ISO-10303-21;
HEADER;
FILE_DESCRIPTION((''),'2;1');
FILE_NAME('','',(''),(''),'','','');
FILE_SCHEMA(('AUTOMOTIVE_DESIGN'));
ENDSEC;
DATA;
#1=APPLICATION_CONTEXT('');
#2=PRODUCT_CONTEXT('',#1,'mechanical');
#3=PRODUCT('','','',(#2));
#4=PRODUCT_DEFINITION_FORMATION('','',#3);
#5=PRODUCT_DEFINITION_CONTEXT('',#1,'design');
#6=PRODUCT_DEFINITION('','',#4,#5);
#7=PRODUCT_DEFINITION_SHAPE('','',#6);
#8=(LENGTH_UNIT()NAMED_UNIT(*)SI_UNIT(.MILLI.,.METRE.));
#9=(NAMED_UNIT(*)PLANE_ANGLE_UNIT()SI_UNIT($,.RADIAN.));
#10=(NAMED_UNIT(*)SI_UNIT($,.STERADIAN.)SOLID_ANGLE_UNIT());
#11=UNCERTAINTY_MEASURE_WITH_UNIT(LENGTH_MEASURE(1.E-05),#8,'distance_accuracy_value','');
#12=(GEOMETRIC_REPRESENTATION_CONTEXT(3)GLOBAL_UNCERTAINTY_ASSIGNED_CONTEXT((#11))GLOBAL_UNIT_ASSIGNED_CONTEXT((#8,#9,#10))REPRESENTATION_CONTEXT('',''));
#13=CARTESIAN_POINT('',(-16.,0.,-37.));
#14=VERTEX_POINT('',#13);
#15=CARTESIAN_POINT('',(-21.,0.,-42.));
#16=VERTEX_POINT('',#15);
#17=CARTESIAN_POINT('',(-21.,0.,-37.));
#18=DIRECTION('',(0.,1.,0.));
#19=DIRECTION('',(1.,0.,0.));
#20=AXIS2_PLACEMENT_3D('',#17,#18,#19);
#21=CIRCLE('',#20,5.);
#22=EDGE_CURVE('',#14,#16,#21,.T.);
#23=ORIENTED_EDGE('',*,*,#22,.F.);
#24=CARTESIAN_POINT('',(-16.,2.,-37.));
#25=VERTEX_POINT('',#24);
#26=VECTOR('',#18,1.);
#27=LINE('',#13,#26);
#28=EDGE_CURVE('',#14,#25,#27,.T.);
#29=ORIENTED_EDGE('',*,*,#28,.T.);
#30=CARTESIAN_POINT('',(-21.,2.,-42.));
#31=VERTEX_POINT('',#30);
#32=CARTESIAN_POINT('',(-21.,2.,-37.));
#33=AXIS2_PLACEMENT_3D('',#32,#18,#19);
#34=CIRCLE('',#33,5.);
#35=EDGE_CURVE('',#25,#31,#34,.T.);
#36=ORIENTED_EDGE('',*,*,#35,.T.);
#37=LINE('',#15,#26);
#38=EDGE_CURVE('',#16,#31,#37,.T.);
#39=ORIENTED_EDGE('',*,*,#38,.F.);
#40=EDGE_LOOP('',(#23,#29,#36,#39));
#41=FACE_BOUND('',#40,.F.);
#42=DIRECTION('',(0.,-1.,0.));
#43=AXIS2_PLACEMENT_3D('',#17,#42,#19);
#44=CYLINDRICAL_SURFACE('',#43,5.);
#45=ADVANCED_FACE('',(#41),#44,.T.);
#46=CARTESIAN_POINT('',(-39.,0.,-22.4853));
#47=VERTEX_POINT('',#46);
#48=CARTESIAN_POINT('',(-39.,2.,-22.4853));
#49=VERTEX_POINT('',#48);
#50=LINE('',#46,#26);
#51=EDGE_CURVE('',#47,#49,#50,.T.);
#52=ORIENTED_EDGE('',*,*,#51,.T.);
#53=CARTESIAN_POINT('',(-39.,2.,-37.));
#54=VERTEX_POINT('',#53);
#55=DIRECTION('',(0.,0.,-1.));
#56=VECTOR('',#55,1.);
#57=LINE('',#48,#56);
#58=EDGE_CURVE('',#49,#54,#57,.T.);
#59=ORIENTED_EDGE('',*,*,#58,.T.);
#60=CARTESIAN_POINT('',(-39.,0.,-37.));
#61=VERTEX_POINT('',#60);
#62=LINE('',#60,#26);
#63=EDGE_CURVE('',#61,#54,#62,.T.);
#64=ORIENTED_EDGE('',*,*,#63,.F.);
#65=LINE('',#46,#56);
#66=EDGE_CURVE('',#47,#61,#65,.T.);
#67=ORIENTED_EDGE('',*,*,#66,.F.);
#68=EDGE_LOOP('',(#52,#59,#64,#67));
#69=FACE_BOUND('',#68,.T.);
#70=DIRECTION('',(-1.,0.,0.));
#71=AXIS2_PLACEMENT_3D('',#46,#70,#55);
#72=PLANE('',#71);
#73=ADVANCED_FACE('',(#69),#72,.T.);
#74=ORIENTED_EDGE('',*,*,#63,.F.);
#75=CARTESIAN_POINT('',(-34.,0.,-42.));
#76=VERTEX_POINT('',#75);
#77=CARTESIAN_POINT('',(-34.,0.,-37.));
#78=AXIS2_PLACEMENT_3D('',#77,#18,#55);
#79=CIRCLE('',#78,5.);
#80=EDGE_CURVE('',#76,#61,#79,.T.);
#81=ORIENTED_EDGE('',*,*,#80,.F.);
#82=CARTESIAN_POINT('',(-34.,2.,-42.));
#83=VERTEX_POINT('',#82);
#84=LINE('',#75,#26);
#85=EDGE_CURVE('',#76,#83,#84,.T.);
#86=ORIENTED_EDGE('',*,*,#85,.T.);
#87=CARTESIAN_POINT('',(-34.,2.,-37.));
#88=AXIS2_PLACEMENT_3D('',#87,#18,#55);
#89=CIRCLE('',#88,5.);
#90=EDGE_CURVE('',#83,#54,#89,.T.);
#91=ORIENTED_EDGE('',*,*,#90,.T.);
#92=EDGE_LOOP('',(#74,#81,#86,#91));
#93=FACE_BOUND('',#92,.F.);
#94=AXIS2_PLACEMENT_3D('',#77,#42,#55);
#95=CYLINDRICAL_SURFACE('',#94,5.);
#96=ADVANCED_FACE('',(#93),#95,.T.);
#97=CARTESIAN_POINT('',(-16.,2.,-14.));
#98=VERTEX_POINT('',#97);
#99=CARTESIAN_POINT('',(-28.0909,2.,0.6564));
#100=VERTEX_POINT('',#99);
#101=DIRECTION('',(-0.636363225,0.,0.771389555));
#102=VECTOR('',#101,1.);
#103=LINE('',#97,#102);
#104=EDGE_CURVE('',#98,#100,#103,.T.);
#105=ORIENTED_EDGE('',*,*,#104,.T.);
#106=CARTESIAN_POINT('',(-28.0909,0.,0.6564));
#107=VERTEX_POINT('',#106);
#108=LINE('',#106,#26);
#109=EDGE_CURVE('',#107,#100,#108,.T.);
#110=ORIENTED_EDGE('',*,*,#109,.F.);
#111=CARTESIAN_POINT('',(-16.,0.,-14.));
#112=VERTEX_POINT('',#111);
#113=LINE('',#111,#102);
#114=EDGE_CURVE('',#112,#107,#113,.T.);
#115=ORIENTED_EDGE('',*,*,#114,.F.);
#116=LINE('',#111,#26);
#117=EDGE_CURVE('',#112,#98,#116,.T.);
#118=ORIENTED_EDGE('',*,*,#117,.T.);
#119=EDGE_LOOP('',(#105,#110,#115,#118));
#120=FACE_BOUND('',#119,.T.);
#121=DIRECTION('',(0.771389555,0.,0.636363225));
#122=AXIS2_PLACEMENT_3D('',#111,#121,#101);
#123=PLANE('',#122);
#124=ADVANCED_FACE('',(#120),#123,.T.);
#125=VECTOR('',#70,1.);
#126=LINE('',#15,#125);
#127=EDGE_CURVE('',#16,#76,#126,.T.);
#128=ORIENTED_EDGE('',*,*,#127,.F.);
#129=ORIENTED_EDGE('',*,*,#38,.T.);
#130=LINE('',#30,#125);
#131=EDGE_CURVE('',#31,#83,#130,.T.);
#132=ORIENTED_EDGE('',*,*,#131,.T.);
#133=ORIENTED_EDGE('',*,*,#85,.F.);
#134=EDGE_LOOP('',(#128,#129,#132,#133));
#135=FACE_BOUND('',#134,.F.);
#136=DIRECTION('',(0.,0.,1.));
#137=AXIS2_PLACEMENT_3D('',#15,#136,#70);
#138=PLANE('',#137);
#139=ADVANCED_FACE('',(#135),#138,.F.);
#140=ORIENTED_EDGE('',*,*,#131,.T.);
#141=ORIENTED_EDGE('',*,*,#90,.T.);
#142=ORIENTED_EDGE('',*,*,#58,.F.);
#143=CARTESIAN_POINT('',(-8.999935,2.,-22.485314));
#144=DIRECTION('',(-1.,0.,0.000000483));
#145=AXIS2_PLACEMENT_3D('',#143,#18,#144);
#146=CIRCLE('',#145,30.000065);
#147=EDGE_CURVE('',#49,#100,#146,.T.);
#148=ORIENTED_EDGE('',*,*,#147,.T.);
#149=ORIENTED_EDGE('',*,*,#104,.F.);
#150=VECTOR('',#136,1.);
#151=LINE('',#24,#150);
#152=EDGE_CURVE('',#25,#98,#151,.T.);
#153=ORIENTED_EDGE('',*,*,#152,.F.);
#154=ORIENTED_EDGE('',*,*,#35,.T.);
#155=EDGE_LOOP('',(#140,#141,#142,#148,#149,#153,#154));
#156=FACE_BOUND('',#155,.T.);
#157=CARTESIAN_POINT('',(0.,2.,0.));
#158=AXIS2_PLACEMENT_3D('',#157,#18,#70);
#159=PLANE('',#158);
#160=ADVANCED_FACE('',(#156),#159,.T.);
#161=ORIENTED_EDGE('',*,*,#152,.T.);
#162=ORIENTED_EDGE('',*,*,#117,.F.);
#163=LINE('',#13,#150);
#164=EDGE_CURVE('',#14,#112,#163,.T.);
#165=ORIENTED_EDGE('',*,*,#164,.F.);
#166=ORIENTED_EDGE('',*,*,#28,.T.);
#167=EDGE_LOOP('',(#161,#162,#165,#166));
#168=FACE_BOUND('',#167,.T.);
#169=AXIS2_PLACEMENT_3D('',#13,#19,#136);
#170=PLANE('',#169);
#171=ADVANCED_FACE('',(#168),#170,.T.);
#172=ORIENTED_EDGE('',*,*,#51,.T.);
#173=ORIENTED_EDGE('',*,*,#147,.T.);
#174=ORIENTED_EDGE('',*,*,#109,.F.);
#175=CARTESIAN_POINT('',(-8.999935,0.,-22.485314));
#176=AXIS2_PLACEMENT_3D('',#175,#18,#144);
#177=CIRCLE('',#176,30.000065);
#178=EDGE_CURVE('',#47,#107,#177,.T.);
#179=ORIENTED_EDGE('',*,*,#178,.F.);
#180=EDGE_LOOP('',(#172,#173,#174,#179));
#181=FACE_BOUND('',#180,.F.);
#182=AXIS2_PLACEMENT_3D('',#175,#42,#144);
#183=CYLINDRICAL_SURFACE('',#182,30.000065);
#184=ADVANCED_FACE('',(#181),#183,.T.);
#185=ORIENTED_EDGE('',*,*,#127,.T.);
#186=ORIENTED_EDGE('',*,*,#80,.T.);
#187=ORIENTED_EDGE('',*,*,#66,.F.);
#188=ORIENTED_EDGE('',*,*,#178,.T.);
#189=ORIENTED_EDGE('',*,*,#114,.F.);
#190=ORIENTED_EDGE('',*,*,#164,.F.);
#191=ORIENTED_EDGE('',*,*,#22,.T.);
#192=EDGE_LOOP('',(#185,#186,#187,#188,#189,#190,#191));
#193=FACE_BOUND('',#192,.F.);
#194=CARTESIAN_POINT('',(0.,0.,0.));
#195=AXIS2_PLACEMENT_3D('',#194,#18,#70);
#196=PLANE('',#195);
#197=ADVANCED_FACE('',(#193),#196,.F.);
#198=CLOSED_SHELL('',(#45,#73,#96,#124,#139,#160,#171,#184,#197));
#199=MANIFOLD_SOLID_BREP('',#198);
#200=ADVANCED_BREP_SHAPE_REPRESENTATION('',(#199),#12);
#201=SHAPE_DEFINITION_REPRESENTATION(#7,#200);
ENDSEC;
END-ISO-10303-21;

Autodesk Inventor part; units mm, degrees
ref_plane "YZ Plane" through (0, 0, 0) normal (1, 0, 0) x (0, 1, 0)
ref_plane "XZ Plane" through (0, 0, 0) normal (0, 1, 0) x (-1, 0, 0)
ref_plane "XY Plane" through (0, 0, 0) normal (0, 0, 1) x (1, 0, 0)
sketch "Sketch1" plane through (0, 0, 0) normal (0, 1, 0) x (-1, 0, 0)
  circle A0 centre (0, 0) radius 12 construction
  line L0 (0, 0) -> (0, -50) construction
  line L1 (20, -50) -> (34, -50) construction
  line L2 (34, -50) -> (34, -16) construction
  line L3 (34, -16) -> (20, -16) construction
  line L4 (20, -16) -> (20, -50) construction
  line L5 (21, -42) -> (34, -42)
  circle A1 centre (0, 0) radius 6 construction
  line L6 (16, -14) -> (28.0909, 0.6564)
  line L7 (39, -22.4853) -> (39, -37)
  line L8 (16, -37) -> (16, -14)
  arc A2 (16, -14) -> (0, -6) centre (0, -26) ccw construction
  arc A3 (39, -22.4853) -> (28.0909, 0.6564) centre (9, -22.4853) ccw
  arc A4 (34, -42) -> (39, -37) centre (34, -37) ccw
  arc A5 (16, -37) -> (21, -42) centre (21, -37) ccw
  point P0 (16, -42)
  point P1 (39, -42)
  dimension "d26" = 12
  dimension "d0" = 50
  dimension "d1" = 24
  dimension "d16" = 16
  dimension "d17" = 34
  dimension "d18" = 23
  dimension "d19" = 26
  dimension "d21" = 5
  dimension "d23" = 20
  dimension "d25" = 16
  dimension "d27" = 30
  dimension "d28" = 19
  dimension "d30" = 5
  dimension "d31" = 5
  dimension "d32" = 20
extrude "Extrusion1" add sketch "Sketch1" along normal blind 2
properties part number "flange_small"
